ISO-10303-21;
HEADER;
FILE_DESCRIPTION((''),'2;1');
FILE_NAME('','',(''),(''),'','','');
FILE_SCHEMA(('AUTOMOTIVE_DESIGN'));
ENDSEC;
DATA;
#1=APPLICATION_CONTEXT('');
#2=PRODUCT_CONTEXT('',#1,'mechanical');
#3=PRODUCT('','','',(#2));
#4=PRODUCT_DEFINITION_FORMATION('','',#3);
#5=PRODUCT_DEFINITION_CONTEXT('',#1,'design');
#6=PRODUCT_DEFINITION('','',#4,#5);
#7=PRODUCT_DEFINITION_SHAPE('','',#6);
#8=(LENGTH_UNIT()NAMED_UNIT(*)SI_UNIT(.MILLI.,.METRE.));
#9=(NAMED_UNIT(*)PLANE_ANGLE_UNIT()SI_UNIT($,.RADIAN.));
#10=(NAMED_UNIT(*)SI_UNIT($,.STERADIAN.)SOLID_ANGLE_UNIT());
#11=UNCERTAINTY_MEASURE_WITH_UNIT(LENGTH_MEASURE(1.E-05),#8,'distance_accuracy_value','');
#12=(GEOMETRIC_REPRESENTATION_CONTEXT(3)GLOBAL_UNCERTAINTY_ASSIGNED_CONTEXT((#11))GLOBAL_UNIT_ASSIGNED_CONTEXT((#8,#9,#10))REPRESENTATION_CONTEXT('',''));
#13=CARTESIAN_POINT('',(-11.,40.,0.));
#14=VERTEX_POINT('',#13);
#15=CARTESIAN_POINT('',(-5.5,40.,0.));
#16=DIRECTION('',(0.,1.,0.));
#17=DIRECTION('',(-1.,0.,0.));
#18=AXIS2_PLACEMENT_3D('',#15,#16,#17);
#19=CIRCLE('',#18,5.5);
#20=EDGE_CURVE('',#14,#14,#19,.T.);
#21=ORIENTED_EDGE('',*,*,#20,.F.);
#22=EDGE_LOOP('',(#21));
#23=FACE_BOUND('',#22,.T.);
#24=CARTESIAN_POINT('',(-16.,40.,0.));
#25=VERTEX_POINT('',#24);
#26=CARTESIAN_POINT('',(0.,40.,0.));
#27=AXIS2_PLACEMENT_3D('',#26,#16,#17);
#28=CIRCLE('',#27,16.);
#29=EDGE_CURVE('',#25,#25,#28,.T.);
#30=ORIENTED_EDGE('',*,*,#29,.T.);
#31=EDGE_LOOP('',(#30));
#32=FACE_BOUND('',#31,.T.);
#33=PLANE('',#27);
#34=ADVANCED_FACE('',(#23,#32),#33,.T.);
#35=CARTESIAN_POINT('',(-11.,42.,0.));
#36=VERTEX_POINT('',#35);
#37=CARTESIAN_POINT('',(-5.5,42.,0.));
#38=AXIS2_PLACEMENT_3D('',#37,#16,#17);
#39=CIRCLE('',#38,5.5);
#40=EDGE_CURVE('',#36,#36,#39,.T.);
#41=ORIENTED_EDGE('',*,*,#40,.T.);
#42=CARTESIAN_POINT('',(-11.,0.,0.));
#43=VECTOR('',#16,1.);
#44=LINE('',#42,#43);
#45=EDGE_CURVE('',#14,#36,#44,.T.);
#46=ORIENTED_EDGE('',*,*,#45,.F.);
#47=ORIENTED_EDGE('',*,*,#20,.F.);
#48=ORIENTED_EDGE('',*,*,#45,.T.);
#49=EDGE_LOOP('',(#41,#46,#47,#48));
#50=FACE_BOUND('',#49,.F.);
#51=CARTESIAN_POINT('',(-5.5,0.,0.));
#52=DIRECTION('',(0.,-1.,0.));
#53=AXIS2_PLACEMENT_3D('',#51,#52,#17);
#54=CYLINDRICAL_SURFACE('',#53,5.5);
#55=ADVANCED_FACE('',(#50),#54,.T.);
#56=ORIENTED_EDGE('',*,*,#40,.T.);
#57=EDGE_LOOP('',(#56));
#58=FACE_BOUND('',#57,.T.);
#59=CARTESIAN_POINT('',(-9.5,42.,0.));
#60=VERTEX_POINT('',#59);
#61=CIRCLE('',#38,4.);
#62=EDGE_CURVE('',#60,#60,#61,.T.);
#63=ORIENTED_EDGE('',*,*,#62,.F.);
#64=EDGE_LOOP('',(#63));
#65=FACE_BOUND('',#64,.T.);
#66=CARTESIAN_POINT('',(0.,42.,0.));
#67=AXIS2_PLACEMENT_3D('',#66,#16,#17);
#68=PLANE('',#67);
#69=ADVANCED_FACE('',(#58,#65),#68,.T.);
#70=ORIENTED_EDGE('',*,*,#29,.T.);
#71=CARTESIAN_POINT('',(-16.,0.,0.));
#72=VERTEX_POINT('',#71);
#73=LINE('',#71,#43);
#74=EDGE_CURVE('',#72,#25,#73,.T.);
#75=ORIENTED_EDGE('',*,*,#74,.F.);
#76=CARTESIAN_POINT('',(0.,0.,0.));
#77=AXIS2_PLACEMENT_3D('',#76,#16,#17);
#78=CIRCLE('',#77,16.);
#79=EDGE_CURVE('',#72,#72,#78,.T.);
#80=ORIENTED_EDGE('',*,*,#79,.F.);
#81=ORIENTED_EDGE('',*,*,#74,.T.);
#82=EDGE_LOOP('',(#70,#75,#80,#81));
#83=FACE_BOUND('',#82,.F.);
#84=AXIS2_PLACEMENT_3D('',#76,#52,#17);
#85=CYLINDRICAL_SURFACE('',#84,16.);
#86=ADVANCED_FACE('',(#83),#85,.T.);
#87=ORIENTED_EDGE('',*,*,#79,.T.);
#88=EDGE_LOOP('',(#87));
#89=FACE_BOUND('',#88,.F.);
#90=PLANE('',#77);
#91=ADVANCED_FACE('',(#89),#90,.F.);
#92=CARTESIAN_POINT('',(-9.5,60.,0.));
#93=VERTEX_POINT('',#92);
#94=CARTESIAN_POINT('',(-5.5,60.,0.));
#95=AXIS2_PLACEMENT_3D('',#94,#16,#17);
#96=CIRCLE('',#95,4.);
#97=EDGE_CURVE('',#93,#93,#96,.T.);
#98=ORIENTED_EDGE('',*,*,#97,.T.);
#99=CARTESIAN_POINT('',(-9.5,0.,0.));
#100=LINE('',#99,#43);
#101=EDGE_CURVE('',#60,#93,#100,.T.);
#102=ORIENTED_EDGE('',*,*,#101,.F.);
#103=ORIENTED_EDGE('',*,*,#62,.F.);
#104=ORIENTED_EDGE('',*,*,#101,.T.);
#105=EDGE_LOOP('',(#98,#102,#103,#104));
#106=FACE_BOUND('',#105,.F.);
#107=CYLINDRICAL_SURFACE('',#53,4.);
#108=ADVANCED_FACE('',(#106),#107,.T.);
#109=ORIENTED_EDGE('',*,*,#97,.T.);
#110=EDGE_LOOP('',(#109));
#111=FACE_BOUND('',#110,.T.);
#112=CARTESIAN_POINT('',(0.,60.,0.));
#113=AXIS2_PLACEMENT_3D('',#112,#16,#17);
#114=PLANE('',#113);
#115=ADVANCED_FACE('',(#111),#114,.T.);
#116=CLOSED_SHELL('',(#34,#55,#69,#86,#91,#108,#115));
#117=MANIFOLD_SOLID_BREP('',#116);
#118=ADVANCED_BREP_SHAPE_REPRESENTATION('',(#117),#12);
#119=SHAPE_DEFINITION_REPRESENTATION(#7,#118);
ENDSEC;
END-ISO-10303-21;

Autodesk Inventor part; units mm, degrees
ref_plane "YZ Plane" through (0, 0, 0) normal (1, 0, 0) x (0, 1, 0)
ref_plane "XZ Plane" through (0, 0, 0) normal (0, 1, 0) x (-1, 0, 0)
ref_plane "XY Plane" through (0, 0, 0) normal (0, 0, 1) x (1, 0, 0)
sketch "Szkic1" plane through (0, 0, 0) normal (0, 1, 0) x (-1, 0, 0)
  circle A0 centre (0, 0) radius 16
  circle A1 centre (5.5, 0) radius 5.5
  circle A2 centre (5.5, 0) radius 4
  dimension "d1" = 11
  dimension "d0" = 32
  dimension "d2" = 8
extrude "Wyciągnięcie proste1" add sketch "Szkic1" along normal blind 40 contours A0
extrude "Wyciągnięcie proste2" add sketch "Szkic1" along normal blind 42 contours A1
extrude "Wyciągnięcie proste3" add sketch "Szkic1" along normal blind 60 contours A2
properties part number "silnik"
